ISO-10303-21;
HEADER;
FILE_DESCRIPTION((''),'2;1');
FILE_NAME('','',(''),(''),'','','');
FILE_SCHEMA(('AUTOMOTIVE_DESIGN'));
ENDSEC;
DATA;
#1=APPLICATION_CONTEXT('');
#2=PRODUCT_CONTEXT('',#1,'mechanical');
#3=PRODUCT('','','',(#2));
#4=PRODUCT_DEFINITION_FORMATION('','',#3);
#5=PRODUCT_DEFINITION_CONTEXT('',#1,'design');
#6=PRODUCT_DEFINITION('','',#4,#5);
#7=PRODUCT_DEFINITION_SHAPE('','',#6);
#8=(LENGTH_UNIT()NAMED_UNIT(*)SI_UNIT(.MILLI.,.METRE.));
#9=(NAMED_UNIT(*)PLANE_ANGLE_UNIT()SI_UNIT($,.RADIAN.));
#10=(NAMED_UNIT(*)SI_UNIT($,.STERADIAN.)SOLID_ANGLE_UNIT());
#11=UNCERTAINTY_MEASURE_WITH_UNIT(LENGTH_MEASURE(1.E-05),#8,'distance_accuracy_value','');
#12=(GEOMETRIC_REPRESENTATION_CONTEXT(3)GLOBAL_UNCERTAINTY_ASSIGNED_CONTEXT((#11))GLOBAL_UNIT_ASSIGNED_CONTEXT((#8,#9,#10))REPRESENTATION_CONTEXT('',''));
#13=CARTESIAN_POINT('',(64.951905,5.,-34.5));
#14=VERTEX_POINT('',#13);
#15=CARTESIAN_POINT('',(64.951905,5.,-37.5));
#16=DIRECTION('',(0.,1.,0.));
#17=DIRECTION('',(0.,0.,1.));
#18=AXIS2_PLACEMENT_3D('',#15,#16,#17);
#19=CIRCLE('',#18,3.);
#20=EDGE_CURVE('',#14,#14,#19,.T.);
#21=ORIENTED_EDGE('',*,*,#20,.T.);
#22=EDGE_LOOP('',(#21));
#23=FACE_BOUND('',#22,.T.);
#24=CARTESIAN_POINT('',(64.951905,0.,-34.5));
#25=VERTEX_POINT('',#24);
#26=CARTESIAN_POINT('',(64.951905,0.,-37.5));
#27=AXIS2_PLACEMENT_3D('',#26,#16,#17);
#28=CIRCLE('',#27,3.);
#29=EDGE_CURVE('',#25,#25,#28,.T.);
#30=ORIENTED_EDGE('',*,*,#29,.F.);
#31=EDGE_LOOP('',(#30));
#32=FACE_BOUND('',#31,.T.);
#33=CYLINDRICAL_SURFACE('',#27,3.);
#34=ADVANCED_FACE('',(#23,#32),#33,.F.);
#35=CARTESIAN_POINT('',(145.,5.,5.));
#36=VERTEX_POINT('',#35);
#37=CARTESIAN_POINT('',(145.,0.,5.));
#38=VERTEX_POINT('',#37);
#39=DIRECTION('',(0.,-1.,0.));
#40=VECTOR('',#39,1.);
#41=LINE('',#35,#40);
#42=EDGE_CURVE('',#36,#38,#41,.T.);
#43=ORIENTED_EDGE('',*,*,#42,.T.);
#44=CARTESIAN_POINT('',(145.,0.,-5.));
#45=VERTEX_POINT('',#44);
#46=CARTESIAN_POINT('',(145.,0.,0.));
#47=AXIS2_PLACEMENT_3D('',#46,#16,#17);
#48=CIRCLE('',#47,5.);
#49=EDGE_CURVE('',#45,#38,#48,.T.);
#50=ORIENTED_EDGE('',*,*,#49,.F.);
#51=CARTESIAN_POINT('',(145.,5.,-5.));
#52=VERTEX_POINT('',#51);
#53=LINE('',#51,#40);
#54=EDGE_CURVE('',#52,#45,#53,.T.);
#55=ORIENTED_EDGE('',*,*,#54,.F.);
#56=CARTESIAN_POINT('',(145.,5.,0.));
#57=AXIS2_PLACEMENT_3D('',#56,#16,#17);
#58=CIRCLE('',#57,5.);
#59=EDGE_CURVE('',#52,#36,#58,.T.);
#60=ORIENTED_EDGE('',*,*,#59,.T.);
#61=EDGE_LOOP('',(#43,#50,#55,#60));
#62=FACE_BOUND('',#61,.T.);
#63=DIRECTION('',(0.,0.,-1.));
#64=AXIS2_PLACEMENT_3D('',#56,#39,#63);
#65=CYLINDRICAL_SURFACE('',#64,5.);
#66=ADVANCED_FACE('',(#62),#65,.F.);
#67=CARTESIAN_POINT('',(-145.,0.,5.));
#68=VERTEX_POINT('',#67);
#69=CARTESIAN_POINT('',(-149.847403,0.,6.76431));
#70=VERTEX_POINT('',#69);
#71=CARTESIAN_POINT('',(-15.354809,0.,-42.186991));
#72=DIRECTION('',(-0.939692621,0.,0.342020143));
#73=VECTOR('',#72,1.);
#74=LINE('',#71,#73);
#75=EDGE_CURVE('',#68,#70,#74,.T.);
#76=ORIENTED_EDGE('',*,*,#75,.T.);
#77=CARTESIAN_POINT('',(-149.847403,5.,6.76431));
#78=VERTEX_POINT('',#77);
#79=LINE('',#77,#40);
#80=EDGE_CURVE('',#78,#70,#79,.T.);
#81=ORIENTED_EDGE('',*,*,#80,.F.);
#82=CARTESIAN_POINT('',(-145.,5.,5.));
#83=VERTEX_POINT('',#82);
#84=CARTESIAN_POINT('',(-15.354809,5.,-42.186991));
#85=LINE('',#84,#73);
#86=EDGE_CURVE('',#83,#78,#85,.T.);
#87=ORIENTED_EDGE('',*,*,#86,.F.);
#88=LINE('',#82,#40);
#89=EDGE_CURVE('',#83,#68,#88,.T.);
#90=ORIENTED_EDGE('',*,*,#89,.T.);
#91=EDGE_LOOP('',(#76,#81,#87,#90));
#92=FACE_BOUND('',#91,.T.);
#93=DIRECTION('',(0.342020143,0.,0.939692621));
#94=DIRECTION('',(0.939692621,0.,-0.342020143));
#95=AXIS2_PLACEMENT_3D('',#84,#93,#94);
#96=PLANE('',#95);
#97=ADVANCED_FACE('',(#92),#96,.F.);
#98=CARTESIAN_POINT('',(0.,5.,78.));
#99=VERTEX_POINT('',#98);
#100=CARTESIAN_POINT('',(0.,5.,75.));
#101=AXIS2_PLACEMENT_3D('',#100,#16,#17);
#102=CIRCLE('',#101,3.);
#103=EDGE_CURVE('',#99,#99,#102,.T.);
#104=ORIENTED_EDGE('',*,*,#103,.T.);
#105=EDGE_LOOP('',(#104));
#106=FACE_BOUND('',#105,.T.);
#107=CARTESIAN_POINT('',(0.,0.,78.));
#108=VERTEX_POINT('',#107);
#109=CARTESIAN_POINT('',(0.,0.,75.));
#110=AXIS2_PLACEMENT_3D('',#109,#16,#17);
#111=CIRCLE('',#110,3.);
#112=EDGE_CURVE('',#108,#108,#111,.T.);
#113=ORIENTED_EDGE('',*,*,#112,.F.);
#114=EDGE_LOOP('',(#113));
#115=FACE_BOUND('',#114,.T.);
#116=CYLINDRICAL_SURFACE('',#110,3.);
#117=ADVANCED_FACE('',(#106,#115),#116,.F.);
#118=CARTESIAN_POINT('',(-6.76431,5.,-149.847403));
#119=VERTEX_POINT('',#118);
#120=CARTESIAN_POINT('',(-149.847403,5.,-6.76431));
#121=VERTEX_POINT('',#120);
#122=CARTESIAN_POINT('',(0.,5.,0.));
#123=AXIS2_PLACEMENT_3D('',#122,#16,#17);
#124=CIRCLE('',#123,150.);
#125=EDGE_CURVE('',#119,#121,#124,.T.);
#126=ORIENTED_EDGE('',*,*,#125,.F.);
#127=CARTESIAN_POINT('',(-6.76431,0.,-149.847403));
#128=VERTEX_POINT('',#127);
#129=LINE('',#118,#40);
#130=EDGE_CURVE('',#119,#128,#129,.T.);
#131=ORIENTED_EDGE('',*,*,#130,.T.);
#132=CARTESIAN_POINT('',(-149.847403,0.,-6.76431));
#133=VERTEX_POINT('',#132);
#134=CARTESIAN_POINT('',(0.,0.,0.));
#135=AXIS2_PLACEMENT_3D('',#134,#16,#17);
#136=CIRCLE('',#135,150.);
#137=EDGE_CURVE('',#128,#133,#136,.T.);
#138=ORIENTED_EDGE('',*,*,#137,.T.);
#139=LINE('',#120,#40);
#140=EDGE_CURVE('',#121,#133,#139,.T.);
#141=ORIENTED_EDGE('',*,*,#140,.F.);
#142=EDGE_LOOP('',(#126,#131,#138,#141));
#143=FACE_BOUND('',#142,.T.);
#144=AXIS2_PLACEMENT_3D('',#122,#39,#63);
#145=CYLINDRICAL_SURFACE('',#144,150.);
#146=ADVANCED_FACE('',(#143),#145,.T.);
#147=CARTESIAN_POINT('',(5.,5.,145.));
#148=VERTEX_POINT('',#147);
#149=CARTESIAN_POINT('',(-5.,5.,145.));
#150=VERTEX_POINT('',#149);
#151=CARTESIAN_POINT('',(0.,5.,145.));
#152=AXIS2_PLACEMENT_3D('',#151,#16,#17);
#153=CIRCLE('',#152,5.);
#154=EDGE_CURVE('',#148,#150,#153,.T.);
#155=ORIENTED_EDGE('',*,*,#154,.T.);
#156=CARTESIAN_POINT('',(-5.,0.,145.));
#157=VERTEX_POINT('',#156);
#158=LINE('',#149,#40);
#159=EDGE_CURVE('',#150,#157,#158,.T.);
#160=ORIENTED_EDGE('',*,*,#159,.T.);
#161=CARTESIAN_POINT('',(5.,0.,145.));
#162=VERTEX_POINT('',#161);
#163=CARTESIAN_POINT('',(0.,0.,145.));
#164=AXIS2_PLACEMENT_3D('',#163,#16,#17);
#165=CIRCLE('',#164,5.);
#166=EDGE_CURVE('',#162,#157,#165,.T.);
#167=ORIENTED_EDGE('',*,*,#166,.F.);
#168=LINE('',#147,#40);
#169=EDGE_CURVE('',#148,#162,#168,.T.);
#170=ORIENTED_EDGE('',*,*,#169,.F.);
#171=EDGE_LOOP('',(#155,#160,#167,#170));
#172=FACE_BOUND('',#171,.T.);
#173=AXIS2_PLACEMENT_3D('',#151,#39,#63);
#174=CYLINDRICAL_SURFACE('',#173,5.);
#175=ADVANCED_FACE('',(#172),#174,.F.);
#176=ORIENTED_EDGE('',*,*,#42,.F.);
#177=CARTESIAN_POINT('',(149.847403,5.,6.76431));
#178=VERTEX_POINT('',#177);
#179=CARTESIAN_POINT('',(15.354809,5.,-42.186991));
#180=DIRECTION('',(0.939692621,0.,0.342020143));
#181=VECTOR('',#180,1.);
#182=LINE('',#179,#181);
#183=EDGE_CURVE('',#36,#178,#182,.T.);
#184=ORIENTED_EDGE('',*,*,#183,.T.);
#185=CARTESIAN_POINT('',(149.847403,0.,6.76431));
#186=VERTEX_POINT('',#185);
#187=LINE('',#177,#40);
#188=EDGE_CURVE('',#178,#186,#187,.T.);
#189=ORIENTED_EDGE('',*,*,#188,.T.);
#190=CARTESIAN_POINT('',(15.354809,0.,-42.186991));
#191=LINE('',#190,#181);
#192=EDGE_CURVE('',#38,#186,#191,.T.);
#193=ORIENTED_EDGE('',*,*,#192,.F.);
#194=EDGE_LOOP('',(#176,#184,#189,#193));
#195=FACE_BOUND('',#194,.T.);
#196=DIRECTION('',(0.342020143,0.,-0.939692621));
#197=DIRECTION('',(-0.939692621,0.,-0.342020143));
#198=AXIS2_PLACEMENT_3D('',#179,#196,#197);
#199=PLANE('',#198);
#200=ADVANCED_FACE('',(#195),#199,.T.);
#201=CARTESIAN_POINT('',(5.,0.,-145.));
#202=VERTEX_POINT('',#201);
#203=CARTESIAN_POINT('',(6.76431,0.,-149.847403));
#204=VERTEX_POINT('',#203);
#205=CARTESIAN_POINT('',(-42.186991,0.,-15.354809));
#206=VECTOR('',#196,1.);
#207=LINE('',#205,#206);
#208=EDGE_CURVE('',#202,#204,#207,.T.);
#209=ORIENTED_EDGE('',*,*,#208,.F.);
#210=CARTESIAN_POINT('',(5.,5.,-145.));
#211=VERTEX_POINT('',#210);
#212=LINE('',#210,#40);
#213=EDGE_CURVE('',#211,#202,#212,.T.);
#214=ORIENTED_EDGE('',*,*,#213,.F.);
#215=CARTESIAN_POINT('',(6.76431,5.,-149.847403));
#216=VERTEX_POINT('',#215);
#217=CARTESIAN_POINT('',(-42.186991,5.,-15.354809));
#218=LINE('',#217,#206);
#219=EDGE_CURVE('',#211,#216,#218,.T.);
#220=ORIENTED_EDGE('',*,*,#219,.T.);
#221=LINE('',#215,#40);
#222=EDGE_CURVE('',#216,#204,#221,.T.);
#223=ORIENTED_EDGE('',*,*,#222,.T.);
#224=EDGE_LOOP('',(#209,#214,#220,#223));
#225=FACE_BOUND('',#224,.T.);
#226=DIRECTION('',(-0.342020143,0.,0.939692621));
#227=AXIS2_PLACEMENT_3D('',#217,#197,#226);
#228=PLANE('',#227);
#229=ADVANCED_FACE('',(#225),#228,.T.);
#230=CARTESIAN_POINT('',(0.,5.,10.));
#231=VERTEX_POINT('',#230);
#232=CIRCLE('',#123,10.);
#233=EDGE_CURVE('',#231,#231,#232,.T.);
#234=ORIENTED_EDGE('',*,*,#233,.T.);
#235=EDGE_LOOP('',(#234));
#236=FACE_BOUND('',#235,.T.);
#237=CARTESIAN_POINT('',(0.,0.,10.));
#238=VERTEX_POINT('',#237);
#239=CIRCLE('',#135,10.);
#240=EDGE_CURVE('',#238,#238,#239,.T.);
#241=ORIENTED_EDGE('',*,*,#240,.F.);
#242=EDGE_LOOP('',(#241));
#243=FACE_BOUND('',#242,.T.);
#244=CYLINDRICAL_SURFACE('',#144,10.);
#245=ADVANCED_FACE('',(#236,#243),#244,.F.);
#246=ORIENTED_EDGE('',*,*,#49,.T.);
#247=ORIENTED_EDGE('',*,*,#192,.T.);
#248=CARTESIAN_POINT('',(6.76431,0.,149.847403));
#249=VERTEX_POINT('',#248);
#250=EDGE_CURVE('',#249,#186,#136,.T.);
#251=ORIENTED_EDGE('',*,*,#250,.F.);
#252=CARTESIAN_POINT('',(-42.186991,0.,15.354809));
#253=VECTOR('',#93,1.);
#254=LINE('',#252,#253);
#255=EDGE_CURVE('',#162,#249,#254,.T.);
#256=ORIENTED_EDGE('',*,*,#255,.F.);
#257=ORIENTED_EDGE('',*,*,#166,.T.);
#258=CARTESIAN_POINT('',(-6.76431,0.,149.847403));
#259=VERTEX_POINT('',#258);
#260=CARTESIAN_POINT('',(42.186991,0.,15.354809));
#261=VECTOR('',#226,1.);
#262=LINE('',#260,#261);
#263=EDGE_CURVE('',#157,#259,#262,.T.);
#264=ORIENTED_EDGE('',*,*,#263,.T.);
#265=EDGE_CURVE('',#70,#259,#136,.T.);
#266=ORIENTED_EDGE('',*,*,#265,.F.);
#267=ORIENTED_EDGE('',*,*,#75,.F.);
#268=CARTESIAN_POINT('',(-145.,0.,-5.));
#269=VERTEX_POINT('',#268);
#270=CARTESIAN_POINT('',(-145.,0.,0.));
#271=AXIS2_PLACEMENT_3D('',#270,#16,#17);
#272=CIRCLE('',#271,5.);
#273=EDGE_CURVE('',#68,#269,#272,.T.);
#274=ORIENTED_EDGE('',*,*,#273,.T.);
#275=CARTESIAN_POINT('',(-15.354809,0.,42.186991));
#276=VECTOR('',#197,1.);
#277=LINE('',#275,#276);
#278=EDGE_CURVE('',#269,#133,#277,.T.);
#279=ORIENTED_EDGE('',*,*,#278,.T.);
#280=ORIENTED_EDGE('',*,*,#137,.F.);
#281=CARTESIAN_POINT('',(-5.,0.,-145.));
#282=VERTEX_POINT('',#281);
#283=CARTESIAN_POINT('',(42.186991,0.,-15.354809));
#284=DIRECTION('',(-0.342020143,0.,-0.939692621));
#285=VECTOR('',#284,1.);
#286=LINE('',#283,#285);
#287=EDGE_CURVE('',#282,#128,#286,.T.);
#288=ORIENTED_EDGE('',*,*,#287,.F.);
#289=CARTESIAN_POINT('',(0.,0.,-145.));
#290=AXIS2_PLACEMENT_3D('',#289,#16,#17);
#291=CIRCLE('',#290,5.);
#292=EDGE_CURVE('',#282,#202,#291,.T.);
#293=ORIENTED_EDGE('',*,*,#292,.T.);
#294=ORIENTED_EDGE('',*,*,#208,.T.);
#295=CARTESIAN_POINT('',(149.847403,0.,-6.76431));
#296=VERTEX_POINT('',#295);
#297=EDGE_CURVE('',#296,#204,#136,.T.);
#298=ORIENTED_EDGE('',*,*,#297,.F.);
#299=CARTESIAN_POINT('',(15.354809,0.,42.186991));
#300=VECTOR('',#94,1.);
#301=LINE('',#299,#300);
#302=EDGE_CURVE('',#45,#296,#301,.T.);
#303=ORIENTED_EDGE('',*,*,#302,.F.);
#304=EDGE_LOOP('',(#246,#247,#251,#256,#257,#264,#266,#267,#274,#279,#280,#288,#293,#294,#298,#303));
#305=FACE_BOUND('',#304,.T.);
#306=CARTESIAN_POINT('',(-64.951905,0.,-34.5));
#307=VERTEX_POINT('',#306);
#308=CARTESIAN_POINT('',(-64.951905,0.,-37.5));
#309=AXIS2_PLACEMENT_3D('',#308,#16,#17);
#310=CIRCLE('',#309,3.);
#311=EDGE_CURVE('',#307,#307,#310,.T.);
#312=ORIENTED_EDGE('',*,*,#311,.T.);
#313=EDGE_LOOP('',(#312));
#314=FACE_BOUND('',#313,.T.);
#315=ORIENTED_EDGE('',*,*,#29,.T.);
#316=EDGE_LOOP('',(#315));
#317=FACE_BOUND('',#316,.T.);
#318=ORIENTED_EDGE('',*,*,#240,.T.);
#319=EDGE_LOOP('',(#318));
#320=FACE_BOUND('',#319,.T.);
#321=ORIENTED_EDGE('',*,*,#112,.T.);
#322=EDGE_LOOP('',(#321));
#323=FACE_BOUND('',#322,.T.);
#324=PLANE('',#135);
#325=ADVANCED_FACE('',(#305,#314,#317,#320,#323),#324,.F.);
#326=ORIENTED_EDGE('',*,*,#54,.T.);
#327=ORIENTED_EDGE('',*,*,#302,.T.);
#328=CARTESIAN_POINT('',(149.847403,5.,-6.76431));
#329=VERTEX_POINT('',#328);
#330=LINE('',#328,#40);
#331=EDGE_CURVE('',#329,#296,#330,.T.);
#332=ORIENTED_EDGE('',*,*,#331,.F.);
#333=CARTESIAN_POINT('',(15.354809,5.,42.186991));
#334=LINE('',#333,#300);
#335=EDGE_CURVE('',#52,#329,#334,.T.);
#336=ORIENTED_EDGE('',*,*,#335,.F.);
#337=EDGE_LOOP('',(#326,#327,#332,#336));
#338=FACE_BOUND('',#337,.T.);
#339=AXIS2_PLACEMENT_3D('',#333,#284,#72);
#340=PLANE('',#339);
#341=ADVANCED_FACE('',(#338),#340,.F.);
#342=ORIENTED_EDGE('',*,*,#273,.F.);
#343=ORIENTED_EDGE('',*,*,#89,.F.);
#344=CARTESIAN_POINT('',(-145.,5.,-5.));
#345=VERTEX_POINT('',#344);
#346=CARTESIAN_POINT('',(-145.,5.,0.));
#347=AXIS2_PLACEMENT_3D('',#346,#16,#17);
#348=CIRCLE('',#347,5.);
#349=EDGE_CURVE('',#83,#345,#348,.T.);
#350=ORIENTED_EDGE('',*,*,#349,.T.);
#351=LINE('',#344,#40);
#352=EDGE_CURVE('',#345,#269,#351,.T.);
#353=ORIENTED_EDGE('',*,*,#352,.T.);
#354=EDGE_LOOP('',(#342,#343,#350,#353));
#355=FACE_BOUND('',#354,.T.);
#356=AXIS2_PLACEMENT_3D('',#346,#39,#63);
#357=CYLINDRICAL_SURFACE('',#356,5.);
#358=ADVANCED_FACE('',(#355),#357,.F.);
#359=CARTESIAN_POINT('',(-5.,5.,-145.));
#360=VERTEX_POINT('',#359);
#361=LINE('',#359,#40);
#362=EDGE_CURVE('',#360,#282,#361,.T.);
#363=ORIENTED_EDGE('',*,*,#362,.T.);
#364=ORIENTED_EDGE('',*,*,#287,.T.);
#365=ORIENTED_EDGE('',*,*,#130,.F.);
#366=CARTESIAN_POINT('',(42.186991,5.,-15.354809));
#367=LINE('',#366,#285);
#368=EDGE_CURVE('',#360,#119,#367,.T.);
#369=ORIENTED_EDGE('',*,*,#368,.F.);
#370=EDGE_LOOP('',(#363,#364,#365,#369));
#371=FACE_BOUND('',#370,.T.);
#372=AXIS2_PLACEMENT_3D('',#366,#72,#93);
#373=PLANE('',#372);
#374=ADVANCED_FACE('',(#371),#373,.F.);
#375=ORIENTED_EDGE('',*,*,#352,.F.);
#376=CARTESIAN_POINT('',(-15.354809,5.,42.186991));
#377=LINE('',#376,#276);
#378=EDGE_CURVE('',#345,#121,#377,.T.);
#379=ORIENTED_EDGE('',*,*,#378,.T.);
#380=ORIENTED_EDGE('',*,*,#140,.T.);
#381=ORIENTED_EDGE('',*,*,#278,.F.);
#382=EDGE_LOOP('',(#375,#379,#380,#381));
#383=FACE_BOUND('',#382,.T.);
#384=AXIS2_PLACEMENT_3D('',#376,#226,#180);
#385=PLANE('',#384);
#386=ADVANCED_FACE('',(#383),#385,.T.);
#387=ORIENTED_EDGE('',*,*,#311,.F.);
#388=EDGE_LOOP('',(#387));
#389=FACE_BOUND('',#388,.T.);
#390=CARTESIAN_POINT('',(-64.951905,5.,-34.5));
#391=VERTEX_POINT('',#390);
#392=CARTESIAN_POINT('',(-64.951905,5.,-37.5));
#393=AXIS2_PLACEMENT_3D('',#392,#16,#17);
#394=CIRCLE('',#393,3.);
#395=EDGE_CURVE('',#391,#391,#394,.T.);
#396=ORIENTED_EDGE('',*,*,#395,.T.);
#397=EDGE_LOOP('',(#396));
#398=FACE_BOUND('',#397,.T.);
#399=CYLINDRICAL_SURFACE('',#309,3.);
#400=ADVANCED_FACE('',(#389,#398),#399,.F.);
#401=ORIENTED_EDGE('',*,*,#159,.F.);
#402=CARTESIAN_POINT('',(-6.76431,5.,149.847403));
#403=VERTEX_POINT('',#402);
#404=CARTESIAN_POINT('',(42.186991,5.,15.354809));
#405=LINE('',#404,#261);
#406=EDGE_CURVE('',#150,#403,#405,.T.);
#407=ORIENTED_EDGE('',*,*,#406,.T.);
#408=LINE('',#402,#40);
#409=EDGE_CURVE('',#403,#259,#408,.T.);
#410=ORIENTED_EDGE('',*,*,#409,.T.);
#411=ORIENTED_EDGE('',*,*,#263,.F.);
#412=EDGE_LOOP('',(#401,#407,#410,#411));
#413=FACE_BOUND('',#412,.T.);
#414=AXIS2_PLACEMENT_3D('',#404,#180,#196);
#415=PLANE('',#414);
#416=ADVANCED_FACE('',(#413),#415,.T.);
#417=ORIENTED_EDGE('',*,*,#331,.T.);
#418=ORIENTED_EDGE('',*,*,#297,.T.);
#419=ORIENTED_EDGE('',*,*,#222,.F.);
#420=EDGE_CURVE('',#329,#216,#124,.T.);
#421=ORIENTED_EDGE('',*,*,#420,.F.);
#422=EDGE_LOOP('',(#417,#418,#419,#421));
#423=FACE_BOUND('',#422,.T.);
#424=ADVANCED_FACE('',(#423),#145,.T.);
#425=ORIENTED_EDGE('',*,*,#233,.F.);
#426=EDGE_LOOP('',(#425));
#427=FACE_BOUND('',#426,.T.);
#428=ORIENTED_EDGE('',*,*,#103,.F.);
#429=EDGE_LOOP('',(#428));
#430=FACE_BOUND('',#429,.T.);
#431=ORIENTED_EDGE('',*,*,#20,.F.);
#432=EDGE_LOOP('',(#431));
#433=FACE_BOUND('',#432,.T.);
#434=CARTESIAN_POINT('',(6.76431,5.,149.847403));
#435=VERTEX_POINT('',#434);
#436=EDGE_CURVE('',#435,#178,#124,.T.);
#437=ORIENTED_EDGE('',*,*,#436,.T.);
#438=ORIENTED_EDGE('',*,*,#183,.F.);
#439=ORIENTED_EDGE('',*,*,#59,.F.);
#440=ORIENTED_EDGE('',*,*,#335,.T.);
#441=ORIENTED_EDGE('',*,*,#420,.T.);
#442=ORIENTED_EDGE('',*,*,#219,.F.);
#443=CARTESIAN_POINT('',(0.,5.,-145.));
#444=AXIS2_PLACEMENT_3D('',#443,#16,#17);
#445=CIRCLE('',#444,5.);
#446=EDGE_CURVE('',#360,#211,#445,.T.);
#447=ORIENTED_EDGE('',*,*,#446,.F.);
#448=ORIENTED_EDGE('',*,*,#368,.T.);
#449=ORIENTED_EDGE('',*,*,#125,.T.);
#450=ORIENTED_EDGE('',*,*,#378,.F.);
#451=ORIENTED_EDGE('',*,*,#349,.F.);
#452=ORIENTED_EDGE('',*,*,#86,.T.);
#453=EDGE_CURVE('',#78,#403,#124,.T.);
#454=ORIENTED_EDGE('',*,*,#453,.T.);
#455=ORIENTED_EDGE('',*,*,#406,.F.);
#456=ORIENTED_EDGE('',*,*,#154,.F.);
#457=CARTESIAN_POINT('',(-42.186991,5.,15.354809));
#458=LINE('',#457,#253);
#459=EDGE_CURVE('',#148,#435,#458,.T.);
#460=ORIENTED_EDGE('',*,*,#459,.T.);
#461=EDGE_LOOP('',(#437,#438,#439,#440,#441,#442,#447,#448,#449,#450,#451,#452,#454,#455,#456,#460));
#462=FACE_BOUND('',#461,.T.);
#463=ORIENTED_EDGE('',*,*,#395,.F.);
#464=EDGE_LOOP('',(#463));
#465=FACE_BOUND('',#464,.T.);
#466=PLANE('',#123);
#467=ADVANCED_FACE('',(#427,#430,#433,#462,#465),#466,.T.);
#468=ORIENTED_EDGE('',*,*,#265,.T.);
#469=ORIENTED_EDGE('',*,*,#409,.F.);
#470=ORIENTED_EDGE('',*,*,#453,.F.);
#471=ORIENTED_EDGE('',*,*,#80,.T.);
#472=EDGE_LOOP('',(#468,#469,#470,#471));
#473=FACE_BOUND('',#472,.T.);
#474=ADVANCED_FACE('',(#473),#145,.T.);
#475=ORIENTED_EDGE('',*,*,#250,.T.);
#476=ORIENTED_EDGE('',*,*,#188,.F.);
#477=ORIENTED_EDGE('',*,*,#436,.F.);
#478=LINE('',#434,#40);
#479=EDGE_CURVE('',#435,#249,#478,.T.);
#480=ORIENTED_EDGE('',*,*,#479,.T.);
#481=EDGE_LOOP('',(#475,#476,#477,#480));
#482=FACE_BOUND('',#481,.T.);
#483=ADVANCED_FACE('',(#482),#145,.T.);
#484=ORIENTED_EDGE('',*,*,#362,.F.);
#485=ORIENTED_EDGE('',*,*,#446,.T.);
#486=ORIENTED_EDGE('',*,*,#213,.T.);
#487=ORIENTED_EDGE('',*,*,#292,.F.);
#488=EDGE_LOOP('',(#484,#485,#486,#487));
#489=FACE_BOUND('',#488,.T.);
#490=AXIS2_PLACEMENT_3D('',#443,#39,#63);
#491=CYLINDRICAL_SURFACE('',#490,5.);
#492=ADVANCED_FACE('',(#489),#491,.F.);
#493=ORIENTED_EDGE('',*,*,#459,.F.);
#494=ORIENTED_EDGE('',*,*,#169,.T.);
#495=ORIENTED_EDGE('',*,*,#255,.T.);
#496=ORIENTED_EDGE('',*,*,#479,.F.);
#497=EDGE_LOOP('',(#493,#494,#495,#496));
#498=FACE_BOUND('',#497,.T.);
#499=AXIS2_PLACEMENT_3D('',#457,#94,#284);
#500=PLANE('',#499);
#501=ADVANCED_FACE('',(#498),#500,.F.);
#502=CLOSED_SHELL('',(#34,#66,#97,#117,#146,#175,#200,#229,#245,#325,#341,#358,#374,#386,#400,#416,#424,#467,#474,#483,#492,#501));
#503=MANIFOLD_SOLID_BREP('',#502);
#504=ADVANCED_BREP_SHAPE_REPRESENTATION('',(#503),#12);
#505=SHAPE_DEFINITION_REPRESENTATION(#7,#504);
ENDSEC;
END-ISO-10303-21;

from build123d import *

# Parameters (mm, degrees)
SKETCH1_R               = 10
BOSS_EXTRUDE1_DEPTH     = 5
CUT_EXTRUDE1_DEPTH      = 212.975206598
CUT_EXTRUDE1_DEPTH_BACK = 212.975206598
SKETCH2_R               = 3


with BuildPart() as part:
    # Sketch1 → Boss-Extrude1 (new body)
    with BuildSketch(Plane(origin=(0, 0, 0), x_dir=(1, 0, 0), z_dir=(0, 1, 0))):
        with BuildLine():
            ThreePointArc((5, 145), (0, 140), (-5, 145))
            Line((-5, 145), (-6.764310309, 149.847402734))
            ThreePointArc((-6.764310309, 149.847402734), (-106.066017178, 106.066017178), (-149.847402734, 6.764310309))
            Line((-149.847402734, 6.764310309), (-145, 5))
            ThreePointArc((-145, 5), (-141.464466094, 3.535533906), (-140, 0))
            ThreePointArc((-140, 0), (-141.464466094, -3.535533906), (-145, -5))
            Line((-145, -5), (-149.847402734, -6.764310309))
            ThreePointArc((-149.847402734, -6.764310309), (-106.066017178, -106.066017178), (-6.764310309, -149.847402734))
            Line((-6.764310309, -149.847402734), (-5, -145))
            ThreePointArc((-5, -145), (0, -140), (5, -145))
            Line((5, -145), (6.764310309, -149.847402734))
            ThreePointArc((6.764310309, -149.847402734), (106.066017178, -106.066017178), (149.847402734, -6.764310309))
            Line((149.847402734, -6.764310309), (145, -5))
            ThreePointArc((145, -5), (140, 0), (145, 5))
            Line((145, 5), (149.847402734, 6.764310309))
            ThreePointArc((149.847402734, 6.764310309), (106.066017178, 106.066017178), (6.764310309, 149.847402734))
            Line((6.764310309, 149.847402734), (5, 145))
        make_face()
        with Locations(Location((0, 0, 0), (0, 0, 270))):
            Circle(SKETCH1_R, mode=Mode.SUBTRACT)
    extrude(amount=BOSS_EXTRUDE1_DEPTH)

    # Sketch2 → Cut-Extrude1 (cut, two sides: drawn at the far end of the back side and taken through both)
    with BuildSketch(Plane(origin=(0, 5, 0), x_dir=(1, 0, 0), z_dir=(0, 1, 0)).offset(-CUT_EXTRUDE1_DEPTH_BACK)):
        with Locations(Location((0, -75, 0), (0, 0, 270))):
            Circle(SKETCH2_R)
        with Locations(Location((64.951905284, 37.5, 0), (0, 0, 270))):
            Circle(SKETCH2_R)
        with Locations(Location((-64.951905284, 37.5, 0), (0, 0, 270))):
            Circle(SKETCH2_R)
    extrude(amount=CUT_EXTRUDE1_DEPTH + CUT_EXTRUDE1_DEPTH_BACK, mode=Mode.SUBTRACT)


solid = part.part
